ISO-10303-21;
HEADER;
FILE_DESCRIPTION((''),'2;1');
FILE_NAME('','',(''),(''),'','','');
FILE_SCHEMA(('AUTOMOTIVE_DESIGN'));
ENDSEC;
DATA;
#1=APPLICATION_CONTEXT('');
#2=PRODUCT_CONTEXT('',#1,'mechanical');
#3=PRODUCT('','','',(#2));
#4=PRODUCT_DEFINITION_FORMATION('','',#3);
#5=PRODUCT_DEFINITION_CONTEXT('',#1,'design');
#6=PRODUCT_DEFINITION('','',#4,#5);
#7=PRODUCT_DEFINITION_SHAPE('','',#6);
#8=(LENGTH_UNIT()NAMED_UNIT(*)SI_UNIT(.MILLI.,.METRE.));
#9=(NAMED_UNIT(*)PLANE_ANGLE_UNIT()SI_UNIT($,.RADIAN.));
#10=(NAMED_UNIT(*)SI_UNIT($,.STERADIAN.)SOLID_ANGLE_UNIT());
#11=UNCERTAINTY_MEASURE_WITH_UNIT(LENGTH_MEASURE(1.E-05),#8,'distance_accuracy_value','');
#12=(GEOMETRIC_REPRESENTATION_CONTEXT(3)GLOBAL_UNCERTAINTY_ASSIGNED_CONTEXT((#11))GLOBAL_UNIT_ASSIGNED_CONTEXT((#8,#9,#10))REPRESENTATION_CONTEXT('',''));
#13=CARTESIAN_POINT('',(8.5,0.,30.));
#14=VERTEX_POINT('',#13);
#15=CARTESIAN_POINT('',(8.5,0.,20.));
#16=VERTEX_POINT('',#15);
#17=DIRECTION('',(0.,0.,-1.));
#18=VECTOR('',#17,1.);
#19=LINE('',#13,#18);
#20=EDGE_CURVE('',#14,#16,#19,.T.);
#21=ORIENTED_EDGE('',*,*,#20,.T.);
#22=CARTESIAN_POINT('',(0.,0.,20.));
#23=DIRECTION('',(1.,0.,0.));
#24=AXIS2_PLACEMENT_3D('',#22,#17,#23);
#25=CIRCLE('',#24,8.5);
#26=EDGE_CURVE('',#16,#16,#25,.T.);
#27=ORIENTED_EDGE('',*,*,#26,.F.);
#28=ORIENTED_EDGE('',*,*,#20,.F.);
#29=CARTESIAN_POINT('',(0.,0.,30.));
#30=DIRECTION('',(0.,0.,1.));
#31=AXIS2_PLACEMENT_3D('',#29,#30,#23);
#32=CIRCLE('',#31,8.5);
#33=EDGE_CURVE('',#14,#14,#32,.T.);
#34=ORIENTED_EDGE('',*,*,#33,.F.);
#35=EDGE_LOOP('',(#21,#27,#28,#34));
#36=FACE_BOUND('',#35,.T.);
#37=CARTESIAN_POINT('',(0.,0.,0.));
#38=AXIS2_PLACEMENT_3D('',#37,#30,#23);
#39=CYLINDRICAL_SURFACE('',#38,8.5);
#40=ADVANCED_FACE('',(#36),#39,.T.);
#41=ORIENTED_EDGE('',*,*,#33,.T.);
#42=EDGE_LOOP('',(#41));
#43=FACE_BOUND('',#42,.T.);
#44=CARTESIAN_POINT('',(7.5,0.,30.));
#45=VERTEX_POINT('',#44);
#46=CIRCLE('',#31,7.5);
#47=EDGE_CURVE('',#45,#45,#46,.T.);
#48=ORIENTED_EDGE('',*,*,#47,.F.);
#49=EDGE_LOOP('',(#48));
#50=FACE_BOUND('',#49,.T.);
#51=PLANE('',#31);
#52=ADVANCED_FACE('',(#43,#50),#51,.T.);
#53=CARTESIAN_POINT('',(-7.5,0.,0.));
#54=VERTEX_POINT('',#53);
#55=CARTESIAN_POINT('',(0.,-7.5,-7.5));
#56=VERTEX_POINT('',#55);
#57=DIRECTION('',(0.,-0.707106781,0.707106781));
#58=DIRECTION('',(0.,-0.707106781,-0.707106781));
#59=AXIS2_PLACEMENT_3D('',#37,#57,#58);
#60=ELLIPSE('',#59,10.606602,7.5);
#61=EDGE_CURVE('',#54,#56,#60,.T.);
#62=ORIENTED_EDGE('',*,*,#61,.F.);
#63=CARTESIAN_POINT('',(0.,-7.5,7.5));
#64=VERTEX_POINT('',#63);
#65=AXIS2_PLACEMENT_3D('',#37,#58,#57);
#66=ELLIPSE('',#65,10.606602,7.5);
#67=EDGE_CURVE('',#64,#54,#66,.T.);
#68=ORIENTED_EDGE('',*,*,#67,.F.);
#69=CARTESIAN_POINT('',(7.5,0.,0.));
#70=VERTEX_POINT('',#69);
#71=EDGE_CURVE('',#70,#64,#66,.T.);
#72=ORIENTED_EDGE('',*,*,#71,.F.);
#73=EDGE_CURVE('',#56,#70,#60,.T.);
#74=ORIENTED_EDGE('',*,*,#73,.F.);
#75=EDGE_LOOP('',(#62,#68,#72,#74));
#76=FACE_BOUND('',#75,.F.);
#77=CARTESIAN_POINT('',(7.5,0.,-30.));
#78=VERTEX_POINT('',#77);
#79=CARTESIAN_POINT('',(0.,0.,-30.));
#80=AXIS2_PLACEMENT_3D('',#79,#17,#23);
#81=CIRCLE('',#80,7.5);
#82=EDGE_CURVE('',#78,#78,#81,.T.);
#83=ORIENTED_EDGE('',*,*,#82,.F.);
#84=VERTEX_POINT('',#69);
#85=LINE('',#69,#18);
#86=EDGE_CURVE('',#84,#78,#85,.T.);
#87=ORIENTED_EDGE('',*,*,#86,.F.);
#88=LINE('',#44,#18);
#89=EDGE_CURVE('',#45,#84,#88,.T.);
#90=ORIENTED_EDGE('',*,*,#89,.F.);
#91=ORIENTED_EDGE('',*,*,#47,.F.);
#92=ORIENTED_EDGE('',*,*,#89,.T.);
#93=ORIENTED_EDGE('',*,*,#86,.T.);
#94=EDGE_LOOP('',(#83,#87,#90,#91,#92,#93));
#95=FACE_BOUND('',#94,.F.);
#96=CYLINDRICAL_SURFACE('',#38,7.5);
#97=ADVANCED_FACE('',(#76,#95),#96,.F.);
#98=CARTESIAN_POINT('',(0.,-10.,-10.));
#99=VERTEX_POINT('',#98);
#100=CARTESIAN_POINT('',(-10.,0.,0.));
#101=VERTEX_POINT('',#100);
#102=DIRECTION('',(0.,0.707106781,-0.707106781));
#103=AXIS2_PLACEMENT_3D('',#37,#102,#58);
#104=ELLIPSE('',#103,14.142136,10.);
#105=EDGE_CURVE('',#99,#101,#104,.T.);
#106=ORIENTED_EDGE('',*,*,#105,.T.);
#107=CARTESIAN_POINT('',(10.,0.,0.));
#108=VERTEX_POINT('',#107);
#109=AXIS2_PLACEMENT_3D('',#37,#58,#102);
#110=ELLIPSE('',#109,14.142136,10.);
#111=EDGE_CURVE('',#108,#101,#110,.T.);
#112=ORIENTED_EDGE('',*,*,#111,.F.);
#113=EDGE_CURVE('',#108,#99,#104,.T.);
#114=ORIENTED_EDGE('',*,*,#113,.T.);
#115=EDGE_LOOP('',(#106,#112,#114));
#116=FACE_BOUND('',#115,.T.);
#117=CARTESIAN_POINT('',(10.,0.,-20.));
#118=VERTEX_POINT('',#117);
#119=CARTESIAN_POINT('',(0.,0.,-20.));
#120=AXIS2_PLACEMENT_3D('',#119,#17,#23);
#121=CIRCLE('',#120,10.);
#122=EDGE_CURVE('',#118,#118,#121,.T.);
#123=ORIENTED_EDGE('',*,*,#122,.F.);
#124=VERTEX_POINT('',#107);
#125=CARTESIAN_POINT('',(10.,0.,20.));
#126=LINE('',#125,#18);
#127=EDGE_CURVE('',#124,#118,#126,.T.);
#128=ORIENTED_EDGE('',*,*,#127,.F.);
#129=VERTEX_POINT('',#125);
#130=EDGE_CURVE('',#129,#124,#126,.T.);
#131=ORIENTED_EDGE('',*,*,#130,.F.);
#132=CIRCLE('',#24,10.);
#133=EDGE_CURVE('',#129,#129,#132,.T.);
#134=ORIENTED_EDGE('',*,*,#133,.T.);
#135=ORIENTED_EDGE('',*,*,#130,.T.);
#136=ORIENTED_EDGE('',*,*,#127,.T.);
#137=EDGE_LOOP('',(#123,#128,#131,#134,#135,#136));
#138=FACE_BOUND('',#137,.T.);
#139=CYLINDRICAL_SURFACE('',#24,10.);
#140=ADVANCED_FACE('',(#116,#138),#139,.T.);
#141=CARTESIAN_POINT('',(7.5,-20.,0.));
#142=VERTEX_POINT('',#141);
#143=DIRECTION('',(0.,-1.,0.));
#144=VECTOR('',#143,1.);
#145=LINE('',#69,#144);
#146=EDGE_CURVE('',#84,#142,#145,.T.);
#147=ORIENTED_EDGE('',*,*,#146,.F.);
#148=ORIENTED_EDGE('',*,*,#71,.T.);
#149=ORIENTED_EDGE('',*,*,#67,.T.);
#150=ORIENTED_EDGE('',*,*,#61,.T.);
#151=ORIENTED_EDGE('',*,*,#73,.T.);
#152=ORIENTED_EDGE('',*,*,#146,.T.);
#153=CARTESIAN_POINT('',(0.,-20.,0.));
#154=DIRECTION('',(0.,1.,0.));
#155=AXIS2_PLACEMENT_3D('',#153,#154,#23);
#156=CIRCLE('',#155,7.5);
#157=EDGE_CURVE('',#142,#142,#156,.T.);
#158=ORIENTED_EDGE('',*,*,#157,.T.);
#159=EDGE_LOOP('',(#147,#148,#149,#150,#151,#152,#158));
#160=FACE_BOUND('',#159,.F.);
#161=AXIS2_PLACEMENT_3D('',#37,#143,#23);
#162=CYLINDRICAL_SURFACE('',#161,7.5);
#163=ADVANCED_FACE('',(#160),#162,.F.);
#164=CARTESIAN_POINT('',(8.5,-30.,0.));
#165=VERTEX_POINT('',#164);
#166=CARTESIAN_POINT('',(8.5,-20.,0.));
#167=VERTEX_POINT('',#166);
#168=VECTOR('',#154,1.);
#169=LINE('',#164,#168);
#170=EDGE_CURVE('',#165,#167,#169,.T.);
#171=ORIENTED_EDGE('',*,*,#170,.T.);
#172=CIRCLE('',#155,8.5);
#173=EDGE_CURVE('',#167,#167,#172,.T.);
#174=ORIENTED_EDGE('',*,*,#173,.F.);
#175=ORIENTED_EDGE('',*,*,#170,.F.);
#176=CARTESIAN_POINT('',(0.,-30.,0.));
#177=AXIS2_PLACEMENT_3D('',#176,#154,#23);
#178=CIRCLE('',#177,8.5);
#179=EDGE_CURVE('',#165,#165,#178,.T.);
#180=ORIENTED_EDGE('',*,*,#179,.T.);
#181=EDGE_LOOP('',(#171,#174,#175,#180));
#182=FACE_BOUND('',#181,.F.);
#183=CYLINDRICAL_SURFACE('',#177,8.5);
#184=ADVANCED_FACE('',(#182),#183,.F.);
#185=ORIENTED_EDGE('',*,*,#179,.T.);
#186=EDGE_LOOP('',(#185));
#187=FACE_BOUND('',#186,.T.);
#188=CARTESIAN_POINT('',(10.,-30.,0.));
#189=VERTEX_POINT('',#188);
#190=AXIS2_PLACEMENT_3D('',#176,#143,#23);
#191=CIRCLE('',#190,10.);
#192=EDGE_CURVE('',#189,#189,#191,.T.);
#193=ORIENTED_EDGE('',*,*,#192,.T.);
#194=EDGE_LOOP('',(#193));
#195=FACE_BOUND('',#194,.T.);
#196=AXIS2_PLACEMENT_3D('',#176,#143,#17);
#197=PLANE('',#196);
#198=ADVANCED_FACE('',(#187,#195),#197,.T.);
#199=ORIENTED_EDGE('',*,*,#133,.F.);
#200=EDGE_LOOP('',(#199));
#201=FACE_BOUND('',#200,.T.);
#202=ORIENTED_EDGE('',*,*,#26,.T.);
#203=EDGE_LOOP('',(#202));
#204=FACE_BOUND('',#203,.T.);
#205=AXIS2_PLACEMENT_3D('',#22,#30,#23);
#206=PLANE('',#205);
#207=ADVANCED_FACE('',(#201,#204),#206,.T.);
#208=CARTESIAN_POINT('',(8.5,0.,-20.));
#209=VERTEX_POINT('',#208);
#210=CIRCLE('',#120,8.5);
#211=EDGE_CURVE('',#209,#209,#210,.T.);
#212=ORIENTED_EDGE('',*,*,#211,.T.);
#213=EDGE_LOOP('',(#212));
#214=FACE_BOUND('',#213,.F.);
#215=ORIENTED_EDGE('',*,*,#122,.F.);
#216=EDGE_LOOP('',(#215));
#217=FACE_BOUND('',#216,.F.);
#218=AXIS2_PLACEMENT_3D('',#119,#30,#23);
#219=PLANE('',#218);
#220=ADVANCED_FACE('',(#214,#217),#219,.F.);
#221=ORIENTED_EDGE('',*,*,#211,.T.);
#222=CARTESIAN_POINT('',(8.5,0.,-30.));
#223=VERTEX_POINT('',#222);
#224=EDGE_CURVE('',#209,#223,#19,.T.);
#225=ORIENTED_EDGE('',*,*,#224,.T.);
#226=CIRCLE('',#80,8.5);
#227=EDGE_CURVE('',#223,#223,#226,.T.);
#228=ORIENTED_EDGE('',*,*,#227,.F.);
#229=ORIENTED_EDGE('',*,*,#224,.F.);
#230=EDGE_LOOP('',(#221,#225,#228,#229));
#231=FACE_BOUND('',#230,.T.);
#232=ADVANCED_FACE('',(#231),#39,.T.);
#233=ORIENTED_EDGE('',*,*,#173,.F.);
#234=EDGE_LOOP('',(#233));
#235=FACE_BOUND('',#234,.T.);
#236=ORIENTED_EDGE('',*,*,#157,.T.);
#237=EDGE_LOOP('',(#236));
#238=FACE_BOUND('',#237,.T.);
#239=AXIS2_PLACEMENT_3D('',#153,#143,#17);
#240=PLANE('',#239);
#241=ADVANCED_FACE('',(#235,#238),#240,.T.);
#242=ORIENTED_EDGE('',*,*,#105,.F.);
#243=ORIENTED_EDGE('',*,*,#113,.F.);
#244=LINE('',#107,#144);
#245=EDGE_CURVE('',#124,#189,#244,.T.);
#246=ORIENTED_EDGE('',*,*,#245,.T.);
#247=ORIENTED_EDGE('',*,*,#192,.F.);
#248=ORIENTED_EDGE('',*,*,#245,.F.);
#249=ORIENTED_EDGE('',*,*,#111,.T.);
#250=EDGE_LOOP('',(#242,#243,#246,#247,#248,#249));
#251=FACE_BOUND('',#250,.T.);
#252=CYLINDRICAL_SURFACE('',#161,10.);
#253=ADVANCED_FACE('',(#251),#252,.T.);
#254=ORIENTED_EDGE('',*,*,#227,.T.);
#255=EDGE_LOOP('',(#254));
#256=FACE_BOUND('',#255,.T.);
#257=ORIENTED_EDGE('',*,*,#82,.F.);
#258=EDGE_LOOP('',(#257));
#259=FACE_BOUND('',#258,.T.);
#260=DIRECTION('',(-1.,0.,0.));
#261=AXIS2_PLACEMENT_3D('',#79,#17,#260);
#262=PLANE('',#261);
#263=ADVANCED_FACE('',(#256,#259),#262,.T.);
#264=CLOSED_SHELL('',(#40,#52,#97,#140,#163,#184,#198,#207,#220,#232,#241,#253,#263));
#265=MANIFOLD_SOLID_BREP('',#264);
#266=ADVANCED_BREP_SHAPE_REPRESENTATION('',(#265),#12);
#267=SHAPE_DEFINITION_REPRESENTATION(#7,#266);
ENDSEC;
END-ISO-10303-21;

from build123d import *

# Parameters (mm, degrees)
F0_R        = 8.5
F0_R_2      = 7.5
F2_FACE_R   = 8.5
F2_FACE_R_2 = 7.5
F0_R_3      = 10
F6_R        = 10
F9_R        = 7.5
F14_R       = 8.5
F14_R_2     = 7.5
F12_R       = 7.5


with BuildPart() as f2:
    # F2: sweep along a path in F1
    with BuildLine(Plane.YZ) as f2_path:
        Line((0, 0), (0, 30))
    # F0 (on Top) → F2 (sweep)
    with BuildSketch(Plane.XY):
        Circle(F0_R)
        Circle(F0_R_2, mode=Mode.SUBTRACT)
    sweep(path=f2_path.line)

    # F4: sweep along a path in F1
    with BuildLine(Plane.YZ) as f4_path:
        Line((0, 30), (0, 0))
        Line((0, 0), (0, -30))
    # F2_face (on face) → F4 (sweep)
    with BuildSketch(Plane(origin=(0, 0, 0), x_dir=(1, 0, 0), z_dir=(0, 0, -1))):
        Circle(F2_FACE_R)
        Circle(F2_FACE_R_2, mode=Mode.SUBTRACT)
    sweep(path=f4_path.line)

    # F5: sweep along a path in F3
    with BuildLine(Plane.XZ) as f5_path:
        Line((0, 20), (0, 0))
        Line((0, 0), (0, -20))
    # F0 (on Top) → F5 (sweep)
    with BuildSketch(Plane.XY):
        Circle(F0_R_3)
        Circle(F0_R, mode=Mode.SUBTRACT)
    sweep(path=f5_path.line)

    # F8: sweep along a path in F7
    with BuildLine(Plane.YZ) as f8_path:
        Line((0, 0), (-30, 0))
    # F6 (on Front) → F8 (sweep, cut)
    with BuildSketch(Plane.XZ):
        Circle(F6_R)
    sweep(path=f8_path.line, mode=Mode.SUBTRACT)

    # F10: sweep along a path in F7
    with BuildLine(Plane.YZ) as f10_path:
        Line((0, 0), (-30, 0))
    # F6 (on Front) → F10 (sweep)
    with BuildSketch(Plane.XZ):
        Circle(F6_R)
    sweep(path=f10_path.line)

    # F11: sweep along a path in F7
    with BuildLine(Plane.YZ) as f11_path:
        Line((0, 0), (-30, 0))
    # F9 (on face) → F11 (sweep, cut)
    with BuildSketch(Plane.XZ):
        Circle(F9_R)
    sweep(path=f11_path.line, mode=Mode.SUBTRACT)

    # F15: sweep along a path in F13
    with BuildLine(Plane.XY) as f15_path:
        Line((0, -30), (0, -20))
    # F14 (on face) → F15 (sweep, cut)
    with BuildSketch(Plane.XZ.offset(30)):
        Circle(F14_R)
        Circle(F14_R_2, mode=Mode.SUBTRACT)
    sweep(path=f15_path.line, mode=Mode.SUBTRACT)

    # F16: sweep along a path in F3
    with BuildLine(Plane.XZ) as f16_path:
        Line((0, 20), (0, 0))
        Line((0, 0), (0, -20))
    # F12 (on Top) → F16 (sweep, cut)
    with BuildSketch(Plane.XY):
        Circle(F12_R)
    sweep(path=f16_path.line, mode=Mode.SUBTRACT)

    # F17: sweep along a path in F1
    with BuildLine(Plane.YZ) as f17_path:
        Line((0, 30), (0, 0))
        Line((0, 0), (0, -30))
    # F12 (on Top) → F17 (sweep, cut)
    with BuildSketch(Plane.XY):
        Circle(F12_R)
    sweep(path=f17_path.line, mode=Mode.SUBTRACT)


solid = f2.part
